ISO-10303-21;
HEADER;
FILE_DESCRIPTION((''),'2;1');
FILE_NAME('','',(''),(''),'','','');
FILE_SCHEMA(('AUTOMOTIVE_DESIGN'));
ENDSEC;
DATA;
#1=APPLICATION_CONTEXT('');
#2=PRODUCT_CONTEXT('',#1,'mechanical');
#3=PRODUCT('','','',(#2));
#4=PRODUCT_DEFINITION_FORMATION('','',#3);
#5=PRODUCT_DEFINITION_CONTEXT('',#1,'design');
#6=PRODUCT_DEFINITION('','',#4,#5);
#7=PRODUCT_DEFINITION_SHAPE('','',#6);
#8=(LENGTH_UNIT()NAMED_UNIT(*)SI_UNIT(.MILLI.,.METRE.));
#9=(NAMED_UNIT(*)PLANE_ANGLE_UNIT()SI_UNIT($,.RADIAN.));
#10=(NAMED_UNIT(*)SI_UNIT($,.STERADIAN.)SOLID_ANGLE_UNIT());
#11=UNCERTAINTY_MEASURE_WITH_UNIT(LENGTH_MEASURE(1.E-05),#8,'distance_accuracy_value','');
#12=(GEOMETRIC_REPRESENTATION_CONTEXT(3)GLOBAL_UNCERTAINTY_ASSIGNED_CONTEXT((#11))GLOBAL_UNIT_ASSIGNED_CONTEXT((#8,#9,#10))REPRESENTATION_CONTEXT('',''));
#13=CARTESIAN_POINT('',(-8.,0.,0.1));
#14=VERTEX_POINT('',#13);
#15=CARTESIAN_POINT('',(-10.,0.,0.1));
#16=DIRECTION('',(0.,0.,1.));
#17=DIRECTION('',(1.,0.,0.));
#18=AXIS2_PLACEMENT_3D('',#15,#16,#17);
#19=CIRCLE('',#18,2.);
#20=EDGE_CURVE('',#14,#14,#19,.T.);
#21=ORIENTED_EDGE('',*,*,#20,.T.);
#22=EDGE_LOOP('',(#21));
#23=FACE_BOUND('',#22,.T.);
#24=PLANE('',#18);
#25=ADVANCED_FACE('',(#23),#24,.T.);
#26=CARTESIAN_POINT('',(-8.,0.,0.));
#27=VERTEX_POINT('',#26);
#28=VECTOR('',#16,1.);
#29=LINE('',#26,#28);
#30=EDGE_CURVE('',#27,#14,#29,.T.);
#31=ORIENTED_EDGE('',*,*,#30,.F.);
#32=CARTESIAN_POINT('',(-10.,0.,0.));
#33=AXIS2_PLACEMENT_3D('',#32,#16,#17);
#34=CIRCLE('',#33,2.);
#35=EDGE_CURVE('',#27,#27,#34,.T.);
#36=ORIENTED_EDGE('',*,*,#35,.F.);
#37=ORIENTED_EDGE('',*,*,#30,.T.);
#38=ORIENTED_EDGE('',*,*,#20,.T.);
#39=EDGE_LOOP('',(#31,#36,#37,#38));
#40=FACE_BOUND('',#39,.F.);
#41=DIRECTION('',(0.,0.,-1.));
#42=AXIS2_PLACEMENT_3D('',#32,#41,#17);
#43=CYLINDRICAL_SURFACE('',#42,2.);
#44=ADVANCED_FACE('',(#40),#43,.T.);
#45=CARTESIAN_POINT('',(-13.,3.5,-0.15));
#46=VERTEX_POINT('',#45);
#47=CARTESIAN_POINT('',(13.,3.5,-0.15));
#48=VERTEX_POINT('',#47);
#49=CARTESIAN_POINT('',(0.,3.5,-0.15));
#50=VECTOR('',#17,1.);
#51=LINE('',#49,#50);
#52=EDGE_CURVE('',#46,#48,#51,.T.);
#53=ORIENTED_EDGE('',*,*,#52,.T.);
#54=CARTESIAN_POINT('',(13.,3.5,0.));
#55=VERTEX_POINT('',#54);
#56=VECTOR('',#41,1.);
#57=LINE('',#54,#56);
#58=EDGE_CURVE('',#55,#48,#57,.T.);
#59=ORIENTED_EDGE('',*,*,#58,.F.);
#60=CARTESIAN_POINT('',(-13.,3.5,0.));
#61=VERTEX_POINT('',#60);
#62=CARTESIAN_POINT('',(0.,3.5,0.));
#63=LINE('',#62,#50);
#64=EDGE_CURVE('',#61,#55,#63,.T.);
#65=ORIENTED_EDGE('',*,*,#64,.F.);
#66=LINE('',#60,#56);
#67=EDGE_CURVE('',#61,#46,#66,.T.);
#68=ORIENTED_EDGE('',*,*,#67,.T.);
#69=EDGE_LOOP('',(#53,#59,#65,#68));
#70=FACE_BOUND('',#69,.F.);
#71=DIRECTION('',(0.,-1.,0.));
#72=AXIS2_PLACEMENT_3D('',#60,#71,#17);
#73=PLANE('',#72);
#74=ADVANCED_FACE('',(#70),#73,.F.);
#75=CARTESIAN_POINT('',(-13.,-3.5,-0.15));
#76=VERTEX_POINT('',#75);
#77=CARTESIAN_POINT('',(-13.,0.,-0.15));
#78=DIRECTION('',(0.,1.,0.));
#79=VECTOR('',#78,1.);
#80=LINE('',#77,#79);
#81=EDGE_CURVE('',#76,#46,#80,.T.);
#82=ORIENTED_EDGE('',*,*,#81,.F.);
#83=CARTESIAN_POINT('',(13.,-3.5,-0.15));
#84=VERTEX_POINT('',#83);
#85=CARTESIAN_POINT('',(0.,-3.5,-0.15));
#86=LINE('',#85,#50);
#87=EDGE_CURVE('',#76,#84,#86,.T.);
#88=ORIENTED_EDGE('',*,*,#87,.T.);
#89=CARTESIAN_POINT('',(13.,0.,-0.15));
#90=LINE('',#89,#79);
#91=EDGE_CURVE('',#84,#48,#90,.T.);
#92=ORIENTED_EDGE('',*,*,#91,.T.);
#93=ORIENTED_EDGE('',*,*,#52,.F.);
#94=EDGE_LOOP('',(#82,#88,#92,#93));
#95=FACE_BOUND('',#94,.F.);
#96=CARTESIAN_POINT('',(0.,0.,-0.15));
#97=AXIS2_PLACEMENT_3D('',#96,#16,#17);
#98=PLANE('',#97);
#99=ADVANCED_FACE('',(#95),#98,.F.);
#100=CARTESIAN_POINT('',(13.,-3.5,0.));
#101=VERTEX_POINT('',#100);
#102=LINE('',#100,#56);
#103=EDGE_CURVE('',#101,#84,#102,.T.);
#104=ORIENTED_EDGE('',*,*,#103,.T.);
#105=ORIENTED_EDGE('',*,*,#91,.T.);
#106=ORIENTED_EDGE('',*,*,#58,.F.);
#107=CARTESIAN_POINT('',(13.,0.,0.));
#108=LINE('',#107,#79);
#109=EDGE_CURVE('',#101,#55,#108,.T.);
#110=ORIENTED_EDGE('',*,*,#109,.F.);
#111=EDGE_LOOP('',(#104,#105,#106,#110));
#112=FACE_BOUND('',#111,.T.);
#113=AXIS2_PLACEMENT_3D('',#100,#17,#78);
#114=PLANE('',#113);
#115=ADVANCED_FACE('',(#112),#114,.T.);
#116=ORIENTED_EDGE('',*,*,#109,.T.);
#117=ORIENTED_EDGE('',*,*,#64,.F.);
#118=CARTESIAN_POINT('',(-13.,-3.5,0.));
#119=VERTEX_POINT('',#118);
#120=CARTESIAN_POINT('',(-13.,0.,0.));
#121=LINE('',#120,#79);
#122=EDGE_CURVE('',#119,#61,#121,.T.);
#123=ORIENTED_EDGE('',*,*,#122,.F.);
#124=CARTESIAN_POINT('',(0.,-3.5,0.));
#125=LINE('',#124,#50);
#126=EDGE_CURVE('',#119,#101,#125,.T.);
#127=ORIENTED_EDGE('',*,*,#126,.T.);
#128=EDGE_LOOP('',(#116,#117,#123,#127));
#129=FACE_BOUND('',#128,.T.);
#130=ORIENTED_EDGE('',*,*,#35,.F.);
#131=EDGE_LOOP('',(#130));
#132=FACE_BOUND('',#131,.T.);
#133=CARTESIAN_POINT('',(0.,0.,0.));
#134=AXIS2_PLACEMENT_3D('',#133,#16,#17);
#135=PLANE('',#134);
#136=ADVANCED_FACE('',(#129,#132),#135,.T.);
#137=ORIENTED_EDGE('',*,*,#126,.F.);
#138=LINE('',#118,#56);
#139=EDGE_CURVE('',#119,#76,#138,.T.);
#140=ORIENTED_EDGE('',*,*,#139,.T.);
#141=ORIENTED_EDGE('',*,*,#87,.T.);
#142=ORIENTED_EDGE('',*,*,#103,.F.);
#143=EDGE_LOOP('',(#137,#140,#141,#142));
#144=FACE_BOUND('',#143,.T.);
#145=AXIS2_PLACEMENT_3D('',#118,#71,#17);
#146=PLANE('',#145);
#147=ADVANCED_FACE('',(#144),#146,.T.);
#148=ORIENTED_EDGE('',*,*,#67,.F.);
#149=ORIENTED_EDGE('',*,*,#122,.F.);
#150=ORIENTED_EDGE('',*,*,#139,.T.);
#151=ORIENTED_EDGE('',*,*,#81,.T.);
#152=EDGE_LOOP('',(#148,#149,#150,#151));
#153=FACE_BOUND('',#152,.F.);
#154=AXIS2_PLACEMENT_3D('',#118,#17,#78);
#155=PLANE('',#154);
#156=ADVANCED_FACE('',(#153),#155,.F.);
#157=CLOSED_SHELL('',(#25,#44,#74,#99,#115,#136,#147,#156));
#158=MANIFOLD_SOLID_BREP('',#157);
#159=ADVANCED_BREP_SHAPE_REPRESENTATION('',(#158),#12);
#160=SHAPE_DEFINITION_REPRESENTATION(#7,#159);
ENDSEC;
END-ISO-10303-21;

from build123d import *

# Parameters (mm, degrees)
F0_W     = 26
F0_H     = 7
F2_DEPTH = 0.15
F1_R     = 2
F3_DEPTH = 0.1


with BuildPart() as f2:
    # F0 (on Top) → F2 (new body)
    with BuildSketch(Plane.XY):
        Rectangle(F0_W, F0_H)
    extrude(amount=-F2_DEPTH)

    # F1 (on Top) → F3 (join)
    with BuildSketch(Plane.XY):
        with Locations((-10, 0)):
            Circle(F1_R)
    extrude(amount=F3_DEPTH)


solid = f2.part
